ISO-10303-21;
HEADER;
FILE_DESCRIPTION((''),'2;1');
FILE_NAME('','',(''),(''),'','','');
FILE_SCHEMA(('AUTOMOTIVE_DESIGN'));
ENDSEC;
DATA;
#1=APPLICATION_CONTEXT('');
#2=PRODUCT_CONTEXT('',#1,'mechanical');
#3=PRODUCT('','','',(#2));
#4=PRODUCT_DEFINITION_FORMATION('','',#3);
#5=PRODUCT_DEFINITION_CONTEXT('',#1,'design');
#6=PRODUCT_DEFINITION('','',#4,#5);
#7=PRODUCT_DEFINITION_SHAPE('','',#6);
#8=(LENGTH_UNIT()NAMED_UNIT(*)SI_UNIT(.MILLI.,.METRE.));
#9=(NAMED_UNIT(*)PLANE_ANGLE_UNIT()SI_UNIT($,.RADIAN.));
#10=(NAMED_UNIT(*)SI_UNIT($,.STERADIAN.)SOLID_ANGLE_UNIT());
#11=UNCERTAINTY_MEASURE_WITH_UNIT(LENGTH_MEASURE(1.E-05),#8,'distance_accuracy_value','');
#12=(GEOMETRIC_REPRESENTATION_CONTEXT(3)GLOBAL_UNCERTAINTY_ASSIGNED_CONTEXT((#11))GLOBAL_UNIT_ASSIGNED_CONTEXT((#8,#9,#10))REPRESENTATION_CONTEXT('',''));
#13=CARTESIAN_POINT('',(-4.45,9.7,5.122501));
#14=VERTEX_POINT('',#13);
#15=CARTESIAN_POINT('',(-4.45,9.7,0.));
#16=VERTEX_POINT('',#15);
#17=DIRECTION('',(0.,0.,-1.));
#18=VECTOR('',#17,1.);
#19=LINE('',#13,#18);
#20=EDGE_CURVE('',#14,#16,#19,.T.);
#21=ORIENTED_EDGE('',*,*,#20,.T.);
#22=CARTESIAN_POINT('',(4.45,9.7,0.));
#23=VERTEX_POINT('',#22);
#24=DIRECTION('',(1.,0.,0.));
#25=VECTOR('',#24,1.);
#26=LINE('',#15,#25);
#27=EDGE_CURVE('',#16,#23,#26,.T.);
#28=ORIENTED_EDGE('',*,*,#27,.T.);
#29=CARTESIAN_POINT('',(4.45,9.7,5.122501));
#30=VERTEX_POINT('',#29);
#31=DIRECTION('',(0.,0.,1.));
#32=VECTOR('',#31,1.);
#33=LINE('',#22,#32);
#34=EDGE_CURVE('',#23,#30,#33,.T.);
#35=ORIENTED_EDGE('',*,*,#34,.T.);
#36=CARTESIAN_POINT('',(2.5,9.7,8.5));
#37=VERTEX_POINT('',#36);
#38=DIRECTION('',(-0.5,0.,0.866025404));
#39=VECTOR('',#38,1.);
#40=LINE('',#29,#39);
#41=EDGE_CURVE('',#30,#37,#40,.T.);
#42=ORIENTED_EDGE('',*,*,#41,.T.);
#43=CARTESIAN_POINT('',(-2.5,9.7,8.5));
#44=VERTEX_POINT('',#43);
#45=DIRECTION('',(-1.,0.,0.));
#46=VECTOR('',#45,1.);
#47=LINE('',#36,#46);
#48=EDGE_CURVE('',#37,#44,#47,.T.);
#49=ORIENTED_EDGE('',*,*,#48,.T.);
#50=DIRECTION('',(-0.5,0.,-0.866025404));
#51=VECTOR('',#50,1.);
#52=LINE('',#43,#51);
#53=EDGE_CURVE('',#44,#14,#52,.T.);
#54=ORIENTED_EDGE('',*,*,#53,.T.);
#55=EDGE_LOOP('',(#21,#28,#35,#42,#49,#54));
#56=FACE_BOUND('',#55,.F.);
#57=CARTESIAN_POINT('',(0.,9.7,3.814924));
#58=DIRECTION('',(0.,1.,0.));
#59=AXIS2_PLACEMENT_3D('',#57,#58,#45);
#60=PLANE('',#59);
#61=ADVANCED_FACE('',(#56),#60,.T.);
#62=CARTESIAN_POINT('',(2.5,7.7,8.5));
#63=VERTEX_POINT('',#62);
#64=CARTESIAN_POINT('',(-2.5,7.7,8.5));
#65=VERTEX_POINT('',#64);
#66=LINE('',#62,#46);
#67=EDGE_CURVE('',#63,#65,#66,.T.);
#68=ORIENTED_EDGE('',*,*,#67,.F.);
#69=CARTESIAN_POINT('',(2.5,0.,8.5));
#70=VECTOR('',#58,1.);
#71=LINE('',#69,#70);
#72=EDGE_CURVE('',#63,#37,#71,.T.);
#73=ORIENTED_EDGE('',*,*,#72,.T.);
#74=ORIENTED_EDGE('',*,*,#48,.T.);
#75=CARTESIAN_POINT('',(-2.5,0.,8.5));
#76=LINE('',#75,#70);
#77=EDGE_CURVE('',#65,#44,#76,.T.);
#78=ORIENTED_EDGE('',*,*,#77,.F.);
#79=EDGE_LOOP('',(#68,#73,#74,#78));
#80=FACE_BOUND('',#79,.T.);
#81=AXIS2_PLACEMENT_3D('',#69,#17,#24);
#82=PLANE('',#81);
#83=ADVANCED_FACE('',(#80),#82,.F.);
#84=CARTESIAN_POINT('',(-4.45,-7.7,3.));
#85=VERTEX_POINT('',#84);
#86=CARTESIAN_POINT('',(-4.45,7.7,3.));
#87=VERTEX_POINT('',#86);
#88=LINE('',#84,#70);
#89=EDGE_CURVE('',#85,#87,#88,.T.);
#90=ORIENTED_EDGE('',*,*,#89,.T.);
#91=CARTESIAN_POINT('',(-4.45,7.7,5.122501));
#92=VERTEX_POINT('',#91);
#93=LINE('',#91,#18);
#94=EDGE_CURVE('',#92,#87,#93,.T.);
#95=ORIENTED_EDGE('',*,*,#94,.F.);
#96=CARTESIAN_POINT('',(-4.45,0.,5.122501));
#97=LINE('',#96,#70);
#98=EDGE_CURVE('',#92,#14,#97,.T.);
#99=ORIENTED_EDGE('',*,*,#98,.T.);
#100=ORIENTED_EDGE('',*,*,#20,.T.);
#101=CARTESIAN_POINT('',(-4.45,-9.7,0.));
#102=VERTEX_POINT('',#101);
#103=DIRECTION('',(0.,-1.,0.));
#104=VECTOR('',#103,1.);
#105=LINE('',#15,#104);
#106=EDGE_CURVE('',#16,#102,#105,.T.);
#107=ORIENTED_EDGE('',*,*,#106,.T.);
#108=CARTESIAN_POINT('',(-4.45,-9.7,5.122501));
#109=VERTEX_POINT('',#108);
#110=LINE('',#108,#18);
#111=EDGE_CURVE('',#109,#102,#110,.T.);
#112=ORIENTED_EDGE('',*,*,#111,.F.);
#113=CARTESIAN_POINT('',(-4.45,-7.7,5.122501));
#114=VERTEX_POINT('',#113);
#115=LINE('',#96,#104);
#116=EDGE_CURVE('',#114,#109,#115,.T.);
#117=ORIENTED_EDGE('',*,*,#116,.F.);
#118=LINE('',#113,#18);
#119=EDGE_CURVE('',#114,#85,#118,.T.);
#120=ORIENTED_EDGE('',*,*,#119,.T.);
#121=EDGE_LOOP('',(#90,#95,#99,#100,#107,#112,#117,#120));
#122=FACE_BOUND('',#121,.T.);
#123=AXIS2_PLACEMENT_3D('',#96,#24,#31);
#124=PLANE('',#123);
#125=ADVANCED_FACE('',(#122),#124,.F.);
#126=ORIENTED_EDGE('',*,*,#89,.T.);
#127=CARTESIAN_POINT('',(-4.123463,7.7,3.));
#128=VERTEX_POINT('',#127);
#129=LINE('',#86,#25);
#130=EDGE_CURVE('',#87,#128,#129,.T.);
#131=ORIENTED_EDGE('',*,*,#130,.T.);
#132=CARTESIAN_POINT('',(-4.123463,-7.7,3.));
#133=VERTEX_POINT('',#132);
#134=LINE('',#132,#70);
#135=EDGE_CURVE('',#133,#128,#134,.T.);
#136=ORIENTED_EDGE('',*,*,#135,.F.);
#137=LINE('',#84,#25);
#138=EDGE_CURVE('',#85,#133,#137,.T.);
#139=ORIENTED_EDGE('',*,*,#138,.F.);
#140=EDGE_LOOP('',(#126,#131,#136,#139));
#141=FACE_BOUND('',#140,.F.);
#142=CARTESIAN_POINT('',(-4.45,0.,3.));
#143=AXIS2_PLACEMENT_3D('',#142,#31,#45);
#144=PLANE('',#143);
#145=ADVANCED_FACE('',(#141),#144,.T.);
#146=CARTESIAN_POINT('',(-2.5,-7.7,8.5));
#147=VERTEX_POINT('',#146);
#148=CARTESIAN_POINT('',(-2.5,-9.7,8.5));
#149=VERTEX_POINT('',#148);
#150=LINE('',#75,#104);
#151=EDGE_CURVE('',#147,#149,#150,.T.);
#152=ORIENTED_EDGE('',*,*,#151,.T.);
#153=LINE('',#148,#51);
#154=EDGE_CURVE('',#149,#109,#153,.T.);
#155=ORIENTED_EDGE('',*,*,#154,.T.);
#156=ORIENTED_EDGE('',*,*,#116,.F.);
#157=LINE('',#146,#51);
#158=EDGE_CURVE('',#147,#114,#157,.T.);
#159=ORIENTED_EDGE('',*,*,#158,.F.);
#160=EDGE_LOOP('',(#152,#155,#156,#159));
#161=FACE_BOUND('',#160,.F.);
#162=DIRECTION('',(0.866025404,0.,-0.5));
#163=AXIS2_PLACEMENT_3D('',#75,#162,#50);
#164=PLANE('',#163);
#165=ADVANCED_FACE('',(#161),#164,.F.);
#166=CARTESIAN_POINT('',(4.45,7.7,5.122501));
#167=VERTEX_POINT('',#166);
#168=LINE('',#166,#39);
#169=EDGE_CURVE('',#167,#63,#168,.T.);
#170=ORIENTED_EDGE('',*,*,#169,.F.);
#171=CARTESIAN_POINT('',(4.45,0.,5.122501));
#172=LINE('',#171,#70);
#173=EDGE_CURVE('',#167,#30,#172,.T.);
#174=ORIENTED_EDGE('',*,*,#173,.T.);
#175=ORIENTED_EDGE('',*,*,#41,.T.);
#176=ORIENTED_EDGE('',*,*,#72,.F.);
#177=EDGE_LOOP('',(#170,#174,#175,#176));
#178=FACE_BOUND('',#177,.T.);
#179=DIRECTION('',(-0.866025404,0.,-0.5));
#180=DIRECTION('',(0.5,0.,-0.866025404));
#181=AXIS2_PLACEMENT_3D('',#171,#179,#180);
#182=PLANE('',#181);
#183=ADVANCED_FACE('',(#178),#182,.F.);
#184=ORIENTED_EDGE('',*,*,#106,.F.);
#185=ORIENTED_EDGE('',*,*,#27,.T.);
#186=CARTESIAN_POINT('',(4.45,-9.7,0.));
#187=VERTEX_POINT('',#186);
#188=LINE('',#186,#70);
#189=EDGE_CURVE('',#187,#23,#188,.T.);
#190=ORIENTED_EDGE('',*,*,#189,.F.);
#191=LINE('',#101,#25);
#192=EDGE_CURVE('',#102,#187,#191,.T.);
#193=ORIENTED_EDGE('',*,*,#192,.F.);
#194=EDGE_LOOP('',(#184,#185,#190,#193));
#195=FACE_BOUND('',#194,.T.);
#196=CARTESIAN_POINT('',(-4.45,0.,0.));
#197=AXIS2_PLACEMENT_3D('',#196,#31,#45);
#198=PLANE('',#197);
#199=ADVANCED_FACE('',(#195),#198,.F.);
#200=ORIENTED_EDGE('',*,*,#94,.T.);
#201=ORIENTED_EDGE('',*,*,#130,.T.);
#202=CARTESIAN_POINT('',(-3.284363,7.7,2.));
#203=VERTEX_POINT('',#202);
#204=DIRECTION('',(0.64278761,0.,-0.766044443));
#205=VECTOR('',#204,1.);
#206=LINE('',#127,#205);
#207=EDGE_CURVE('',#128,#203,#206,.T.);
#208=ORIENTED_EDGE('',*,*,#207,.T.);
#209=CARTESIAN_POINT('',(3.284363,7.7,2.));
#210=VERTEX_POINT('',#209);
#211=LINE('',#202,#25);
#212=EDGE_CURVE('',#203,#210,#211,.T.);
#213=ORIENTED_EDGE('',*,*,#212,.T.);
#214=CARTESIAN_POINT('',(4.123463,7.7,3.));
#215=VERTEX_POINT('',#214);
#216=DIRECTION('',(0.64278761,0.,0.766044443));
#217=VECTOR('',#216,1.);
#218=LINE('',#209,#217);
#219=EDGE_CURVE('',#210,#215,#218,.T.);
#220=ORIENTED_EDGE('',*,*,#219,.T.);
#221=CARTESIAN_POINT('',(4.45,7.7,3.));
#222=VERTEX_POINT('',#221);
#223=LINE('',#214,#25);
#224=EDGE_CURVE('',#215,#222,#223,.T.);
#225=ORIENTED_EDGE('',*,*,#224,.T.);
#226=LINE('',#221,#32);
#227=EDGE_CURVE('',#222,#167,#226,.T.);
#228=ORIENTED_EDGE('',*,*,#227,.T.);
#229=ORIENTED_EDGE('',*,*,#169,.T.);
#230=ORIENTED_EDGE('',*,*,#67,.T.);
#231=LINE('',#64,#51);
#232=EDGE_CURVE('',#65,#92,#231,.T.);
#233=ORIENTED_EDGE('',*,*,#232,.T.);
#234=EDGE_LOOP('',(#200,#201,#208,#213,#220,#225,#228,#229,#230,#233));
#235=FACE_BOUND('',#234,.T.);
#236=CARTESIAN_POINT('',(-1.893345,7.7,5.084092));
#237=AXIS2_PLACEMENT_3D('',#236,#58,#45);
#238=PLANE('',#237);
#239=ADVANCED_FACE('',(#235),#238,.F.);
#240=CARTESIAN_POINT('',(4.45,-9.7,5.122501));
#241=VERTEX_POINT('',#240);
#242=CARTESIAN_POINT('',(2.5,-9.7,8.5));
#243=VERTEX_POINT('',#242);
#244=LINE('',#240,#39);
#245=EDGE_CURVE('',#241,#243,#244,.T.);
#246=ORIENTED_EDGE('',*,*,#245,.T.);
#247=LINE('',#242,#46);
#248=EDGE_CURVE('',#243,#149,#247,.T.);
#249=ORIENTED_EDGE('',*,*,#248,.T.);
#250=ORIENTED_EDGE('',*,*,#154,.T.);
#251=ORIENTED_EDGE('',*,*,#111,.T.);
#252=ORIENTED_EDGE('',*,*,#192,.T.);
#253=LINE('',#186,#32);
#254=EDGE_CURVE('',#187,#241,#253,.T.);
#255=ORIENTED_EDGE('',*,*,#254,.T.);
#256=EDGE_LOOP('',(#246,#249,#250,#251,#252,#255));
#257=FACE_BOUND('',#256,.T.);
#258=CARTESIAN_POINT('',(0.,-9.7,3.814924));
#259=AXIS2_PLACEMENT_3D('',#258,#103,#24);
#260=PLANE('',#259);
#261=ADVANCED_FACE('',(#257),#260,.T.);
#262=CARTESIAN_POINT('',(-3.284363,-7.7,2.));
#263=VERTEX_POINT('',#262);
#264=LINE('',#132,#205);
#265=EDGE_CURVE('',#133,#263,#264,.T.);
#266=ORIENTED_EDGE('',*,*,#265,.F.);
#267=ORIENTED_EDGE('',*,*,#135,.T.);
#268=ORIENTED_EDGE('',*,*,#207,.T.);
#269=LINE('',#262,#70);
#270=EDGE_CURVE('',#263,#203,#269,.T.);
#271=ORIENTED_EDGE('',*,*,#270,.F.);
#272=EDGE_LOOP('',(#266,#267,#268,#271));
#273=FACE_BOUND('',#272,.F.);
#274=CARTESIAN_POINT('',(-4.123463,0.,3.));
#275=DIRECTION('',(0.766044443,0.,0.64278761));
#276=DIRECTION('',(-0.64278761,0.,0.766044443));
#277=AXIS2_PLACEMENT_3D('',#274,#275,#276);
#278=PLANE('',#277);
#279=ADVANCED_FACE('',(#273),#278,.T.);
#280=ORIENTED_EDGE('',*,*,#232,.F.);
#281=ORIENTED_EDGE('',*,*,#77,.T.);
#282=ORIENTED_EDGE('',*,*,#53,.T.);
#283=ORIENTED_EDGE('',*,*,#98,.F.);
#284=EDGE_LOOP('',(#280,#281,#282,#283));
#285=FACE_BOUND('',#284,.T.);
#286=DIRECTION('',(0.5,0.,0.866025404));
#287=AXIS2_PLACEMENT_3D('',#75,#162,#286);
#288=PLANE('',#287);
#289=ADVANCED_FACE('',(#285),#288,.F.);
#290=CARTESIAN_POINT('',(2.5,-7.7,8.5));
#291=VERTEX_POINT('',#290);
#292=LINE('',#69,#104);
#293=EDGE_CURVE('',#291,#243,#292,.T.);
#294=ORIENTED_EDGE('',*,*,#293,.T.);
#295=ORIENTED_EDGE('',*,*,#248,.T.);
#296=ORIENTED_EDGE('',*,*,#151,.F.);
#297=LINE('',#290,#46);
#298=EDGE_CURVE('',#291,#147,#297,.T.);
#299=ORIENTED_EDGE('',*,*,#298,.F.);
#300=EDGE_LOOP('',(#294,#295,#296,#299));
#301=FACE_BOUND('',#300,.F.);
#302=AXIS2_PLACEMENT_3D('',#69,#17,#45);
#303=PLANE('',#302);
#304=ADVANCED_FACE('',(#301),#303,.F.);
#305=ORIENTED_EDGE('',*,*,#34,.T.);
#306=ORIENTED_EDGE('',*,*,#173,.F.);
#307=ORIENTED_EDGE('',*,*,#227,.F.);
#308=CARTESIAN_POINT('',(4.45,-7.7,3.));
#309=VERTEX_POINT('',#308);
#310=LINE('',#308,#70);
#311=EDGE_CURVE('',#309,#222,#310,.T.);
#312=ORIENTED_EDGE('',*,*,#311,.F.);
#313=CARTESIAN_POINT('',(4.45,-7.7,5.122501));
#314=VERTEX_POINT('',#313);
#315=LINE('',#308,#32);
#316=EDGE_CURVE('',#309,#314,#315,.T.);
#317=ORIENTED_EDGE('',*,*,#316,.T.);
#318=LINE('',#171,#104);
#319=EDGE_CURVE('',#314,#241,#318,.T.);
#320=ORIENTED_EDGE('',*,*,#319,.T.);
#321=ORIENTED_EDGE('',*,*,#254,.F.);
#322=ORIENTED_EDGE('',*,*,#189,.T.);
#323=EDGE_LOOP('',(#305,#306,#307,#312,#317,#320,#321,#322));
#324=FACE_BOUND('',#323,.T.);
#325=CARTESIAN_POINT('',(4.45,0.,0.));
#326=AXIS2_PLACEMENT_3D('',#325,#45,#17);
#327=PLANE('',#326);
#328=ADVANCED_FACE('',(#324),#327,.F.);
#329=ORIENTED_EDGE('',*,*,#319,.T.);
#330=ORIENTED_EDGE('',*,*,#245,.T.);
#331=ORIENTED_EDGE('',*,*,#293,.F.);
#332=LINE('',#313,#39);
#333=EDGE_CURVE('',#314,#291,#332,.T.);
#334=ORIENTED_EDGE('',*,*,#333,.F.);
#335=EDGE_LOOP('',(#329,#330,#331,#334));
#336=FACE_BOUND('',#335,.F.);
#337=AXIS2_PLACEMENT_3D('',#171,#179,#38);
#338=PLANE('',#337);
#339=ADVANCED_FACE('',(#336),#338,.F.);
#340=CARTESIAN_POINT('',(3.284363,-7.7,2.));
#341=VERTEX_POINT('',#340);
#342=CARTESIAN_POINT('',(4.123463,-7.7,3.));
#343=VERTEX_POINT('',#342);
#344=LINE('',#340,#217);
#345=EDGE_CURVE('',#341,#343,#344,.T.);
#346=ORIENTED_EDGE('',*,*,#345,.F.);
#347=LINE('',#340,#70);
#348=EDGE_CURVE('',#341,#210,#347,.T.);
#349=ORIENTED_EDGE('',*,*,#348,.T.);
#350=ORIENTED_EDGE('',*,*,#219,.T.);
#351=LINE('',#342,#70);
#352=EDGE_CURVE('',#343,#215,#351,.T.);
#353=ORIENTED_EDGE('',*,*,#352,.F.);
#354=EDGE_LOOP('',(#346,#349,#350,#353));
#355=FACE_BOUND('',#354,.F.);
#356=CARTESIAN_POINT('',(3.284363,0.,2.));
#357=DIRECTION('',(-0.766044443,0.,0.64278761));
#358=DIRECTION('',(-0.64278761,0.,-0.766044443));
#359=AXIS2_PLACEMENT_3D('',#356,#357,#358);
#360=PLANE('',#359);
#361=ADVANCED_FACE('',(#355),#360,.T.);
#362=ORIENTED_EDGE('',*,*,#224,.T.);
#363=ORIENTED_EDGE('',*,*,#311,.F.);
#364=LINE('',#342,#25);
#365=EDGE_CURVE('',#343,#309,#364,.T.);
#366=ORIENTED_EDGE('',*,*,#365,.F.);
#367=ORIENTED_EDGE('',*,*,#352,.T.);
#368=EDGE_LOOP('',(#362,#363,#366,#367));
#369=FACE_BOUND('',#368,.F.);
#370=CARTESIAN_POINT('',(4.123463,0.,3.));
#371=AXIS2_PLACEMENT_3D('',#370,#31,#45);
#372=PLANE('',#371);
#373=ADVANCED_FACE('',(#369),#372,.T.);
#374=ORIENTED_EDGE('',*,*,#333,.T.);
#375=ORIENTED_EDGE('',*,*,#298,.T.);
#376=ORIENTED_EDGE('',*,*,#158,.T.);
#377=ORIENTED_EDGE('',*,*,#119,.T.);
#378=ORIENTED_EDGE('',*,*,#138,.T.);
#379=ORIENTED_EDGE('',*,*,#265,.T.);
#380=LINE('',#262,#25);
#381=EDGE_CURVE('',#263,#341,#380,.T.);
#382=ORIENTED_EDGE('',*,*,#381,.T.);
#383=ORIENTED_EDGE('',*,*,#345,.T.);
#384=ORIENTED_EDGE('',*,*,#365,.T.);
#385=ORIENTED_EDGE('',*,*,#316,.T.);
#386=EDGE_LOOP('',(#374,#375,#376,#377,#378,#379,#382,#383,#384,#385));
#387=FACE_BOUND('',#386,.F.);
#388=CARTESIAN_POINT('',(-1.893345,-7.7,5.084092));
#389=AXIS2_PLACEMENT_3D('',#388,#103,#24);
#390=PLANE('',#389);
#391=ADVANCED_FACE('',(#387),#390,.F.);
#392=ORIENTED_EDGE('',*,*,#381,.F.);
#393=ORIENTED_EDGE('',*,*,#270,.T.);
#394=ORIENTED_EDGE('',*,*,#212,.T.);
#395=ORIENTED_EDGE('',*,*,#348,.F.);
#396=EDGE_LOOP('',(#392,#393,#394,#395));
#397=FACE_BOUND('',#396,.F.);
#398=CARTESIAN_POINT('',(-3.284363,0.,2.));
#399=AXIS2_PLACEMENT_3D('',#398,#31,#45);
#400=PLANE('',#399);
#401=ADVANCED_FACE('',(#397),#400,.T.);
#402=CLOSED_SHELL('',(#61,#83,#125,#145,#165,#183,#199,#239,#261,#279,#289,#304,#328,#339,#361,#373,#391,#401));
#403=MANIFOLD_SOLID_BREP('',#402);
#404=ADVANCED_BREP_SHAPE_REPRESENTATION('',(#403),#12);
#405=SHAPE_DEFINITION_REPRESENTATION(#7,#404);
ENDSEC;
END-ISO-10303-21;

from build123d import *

# Parameters (mm, degrees)
F1_DEPTH = 9.7
F3_DEPTH = 7.7


with BuildPart() as f1:
    # F0 (on Front) → F1 (new body)
    with BuildSketch(Plane.XZ):
        Polygon((2.5, 8.5), (0, 8.5), (-2.5, 8.5), (-4.45, 5.1225009252), (-4.45, 0), (0, 0), (4.45, 0), (4.45, 5.1225009252), align=None)
    extrude(amount=F1_DEPTH)

    # F2 (on Front) → F3 (cut, through all)
    with BuildSketch(Plane.XZ):
        Polygon((-4.45, 5.1225009252), (-4.45, 3), (-4.1234630536, 3), (-3.2843634225, 2), (0, 2), (0, 8.5), (-2.5, 8.5), align=None)
        Polygon((0, 8.5), (0, 2), (3.2843634225, 2), (4.1234630536, 3), (4.45, 3), (4.45, 5.1225009252), (2.5, 8.5), align=None)
    extrude(amount=F3_DEPTH, mode=Mode.SUBTRACT)

    # F4: F1 across plane


with BuildPart() as f1_1:
    add(f1.part)
    add(f1.part.mirror(Plane.XZ))


solid = f1_1.part
